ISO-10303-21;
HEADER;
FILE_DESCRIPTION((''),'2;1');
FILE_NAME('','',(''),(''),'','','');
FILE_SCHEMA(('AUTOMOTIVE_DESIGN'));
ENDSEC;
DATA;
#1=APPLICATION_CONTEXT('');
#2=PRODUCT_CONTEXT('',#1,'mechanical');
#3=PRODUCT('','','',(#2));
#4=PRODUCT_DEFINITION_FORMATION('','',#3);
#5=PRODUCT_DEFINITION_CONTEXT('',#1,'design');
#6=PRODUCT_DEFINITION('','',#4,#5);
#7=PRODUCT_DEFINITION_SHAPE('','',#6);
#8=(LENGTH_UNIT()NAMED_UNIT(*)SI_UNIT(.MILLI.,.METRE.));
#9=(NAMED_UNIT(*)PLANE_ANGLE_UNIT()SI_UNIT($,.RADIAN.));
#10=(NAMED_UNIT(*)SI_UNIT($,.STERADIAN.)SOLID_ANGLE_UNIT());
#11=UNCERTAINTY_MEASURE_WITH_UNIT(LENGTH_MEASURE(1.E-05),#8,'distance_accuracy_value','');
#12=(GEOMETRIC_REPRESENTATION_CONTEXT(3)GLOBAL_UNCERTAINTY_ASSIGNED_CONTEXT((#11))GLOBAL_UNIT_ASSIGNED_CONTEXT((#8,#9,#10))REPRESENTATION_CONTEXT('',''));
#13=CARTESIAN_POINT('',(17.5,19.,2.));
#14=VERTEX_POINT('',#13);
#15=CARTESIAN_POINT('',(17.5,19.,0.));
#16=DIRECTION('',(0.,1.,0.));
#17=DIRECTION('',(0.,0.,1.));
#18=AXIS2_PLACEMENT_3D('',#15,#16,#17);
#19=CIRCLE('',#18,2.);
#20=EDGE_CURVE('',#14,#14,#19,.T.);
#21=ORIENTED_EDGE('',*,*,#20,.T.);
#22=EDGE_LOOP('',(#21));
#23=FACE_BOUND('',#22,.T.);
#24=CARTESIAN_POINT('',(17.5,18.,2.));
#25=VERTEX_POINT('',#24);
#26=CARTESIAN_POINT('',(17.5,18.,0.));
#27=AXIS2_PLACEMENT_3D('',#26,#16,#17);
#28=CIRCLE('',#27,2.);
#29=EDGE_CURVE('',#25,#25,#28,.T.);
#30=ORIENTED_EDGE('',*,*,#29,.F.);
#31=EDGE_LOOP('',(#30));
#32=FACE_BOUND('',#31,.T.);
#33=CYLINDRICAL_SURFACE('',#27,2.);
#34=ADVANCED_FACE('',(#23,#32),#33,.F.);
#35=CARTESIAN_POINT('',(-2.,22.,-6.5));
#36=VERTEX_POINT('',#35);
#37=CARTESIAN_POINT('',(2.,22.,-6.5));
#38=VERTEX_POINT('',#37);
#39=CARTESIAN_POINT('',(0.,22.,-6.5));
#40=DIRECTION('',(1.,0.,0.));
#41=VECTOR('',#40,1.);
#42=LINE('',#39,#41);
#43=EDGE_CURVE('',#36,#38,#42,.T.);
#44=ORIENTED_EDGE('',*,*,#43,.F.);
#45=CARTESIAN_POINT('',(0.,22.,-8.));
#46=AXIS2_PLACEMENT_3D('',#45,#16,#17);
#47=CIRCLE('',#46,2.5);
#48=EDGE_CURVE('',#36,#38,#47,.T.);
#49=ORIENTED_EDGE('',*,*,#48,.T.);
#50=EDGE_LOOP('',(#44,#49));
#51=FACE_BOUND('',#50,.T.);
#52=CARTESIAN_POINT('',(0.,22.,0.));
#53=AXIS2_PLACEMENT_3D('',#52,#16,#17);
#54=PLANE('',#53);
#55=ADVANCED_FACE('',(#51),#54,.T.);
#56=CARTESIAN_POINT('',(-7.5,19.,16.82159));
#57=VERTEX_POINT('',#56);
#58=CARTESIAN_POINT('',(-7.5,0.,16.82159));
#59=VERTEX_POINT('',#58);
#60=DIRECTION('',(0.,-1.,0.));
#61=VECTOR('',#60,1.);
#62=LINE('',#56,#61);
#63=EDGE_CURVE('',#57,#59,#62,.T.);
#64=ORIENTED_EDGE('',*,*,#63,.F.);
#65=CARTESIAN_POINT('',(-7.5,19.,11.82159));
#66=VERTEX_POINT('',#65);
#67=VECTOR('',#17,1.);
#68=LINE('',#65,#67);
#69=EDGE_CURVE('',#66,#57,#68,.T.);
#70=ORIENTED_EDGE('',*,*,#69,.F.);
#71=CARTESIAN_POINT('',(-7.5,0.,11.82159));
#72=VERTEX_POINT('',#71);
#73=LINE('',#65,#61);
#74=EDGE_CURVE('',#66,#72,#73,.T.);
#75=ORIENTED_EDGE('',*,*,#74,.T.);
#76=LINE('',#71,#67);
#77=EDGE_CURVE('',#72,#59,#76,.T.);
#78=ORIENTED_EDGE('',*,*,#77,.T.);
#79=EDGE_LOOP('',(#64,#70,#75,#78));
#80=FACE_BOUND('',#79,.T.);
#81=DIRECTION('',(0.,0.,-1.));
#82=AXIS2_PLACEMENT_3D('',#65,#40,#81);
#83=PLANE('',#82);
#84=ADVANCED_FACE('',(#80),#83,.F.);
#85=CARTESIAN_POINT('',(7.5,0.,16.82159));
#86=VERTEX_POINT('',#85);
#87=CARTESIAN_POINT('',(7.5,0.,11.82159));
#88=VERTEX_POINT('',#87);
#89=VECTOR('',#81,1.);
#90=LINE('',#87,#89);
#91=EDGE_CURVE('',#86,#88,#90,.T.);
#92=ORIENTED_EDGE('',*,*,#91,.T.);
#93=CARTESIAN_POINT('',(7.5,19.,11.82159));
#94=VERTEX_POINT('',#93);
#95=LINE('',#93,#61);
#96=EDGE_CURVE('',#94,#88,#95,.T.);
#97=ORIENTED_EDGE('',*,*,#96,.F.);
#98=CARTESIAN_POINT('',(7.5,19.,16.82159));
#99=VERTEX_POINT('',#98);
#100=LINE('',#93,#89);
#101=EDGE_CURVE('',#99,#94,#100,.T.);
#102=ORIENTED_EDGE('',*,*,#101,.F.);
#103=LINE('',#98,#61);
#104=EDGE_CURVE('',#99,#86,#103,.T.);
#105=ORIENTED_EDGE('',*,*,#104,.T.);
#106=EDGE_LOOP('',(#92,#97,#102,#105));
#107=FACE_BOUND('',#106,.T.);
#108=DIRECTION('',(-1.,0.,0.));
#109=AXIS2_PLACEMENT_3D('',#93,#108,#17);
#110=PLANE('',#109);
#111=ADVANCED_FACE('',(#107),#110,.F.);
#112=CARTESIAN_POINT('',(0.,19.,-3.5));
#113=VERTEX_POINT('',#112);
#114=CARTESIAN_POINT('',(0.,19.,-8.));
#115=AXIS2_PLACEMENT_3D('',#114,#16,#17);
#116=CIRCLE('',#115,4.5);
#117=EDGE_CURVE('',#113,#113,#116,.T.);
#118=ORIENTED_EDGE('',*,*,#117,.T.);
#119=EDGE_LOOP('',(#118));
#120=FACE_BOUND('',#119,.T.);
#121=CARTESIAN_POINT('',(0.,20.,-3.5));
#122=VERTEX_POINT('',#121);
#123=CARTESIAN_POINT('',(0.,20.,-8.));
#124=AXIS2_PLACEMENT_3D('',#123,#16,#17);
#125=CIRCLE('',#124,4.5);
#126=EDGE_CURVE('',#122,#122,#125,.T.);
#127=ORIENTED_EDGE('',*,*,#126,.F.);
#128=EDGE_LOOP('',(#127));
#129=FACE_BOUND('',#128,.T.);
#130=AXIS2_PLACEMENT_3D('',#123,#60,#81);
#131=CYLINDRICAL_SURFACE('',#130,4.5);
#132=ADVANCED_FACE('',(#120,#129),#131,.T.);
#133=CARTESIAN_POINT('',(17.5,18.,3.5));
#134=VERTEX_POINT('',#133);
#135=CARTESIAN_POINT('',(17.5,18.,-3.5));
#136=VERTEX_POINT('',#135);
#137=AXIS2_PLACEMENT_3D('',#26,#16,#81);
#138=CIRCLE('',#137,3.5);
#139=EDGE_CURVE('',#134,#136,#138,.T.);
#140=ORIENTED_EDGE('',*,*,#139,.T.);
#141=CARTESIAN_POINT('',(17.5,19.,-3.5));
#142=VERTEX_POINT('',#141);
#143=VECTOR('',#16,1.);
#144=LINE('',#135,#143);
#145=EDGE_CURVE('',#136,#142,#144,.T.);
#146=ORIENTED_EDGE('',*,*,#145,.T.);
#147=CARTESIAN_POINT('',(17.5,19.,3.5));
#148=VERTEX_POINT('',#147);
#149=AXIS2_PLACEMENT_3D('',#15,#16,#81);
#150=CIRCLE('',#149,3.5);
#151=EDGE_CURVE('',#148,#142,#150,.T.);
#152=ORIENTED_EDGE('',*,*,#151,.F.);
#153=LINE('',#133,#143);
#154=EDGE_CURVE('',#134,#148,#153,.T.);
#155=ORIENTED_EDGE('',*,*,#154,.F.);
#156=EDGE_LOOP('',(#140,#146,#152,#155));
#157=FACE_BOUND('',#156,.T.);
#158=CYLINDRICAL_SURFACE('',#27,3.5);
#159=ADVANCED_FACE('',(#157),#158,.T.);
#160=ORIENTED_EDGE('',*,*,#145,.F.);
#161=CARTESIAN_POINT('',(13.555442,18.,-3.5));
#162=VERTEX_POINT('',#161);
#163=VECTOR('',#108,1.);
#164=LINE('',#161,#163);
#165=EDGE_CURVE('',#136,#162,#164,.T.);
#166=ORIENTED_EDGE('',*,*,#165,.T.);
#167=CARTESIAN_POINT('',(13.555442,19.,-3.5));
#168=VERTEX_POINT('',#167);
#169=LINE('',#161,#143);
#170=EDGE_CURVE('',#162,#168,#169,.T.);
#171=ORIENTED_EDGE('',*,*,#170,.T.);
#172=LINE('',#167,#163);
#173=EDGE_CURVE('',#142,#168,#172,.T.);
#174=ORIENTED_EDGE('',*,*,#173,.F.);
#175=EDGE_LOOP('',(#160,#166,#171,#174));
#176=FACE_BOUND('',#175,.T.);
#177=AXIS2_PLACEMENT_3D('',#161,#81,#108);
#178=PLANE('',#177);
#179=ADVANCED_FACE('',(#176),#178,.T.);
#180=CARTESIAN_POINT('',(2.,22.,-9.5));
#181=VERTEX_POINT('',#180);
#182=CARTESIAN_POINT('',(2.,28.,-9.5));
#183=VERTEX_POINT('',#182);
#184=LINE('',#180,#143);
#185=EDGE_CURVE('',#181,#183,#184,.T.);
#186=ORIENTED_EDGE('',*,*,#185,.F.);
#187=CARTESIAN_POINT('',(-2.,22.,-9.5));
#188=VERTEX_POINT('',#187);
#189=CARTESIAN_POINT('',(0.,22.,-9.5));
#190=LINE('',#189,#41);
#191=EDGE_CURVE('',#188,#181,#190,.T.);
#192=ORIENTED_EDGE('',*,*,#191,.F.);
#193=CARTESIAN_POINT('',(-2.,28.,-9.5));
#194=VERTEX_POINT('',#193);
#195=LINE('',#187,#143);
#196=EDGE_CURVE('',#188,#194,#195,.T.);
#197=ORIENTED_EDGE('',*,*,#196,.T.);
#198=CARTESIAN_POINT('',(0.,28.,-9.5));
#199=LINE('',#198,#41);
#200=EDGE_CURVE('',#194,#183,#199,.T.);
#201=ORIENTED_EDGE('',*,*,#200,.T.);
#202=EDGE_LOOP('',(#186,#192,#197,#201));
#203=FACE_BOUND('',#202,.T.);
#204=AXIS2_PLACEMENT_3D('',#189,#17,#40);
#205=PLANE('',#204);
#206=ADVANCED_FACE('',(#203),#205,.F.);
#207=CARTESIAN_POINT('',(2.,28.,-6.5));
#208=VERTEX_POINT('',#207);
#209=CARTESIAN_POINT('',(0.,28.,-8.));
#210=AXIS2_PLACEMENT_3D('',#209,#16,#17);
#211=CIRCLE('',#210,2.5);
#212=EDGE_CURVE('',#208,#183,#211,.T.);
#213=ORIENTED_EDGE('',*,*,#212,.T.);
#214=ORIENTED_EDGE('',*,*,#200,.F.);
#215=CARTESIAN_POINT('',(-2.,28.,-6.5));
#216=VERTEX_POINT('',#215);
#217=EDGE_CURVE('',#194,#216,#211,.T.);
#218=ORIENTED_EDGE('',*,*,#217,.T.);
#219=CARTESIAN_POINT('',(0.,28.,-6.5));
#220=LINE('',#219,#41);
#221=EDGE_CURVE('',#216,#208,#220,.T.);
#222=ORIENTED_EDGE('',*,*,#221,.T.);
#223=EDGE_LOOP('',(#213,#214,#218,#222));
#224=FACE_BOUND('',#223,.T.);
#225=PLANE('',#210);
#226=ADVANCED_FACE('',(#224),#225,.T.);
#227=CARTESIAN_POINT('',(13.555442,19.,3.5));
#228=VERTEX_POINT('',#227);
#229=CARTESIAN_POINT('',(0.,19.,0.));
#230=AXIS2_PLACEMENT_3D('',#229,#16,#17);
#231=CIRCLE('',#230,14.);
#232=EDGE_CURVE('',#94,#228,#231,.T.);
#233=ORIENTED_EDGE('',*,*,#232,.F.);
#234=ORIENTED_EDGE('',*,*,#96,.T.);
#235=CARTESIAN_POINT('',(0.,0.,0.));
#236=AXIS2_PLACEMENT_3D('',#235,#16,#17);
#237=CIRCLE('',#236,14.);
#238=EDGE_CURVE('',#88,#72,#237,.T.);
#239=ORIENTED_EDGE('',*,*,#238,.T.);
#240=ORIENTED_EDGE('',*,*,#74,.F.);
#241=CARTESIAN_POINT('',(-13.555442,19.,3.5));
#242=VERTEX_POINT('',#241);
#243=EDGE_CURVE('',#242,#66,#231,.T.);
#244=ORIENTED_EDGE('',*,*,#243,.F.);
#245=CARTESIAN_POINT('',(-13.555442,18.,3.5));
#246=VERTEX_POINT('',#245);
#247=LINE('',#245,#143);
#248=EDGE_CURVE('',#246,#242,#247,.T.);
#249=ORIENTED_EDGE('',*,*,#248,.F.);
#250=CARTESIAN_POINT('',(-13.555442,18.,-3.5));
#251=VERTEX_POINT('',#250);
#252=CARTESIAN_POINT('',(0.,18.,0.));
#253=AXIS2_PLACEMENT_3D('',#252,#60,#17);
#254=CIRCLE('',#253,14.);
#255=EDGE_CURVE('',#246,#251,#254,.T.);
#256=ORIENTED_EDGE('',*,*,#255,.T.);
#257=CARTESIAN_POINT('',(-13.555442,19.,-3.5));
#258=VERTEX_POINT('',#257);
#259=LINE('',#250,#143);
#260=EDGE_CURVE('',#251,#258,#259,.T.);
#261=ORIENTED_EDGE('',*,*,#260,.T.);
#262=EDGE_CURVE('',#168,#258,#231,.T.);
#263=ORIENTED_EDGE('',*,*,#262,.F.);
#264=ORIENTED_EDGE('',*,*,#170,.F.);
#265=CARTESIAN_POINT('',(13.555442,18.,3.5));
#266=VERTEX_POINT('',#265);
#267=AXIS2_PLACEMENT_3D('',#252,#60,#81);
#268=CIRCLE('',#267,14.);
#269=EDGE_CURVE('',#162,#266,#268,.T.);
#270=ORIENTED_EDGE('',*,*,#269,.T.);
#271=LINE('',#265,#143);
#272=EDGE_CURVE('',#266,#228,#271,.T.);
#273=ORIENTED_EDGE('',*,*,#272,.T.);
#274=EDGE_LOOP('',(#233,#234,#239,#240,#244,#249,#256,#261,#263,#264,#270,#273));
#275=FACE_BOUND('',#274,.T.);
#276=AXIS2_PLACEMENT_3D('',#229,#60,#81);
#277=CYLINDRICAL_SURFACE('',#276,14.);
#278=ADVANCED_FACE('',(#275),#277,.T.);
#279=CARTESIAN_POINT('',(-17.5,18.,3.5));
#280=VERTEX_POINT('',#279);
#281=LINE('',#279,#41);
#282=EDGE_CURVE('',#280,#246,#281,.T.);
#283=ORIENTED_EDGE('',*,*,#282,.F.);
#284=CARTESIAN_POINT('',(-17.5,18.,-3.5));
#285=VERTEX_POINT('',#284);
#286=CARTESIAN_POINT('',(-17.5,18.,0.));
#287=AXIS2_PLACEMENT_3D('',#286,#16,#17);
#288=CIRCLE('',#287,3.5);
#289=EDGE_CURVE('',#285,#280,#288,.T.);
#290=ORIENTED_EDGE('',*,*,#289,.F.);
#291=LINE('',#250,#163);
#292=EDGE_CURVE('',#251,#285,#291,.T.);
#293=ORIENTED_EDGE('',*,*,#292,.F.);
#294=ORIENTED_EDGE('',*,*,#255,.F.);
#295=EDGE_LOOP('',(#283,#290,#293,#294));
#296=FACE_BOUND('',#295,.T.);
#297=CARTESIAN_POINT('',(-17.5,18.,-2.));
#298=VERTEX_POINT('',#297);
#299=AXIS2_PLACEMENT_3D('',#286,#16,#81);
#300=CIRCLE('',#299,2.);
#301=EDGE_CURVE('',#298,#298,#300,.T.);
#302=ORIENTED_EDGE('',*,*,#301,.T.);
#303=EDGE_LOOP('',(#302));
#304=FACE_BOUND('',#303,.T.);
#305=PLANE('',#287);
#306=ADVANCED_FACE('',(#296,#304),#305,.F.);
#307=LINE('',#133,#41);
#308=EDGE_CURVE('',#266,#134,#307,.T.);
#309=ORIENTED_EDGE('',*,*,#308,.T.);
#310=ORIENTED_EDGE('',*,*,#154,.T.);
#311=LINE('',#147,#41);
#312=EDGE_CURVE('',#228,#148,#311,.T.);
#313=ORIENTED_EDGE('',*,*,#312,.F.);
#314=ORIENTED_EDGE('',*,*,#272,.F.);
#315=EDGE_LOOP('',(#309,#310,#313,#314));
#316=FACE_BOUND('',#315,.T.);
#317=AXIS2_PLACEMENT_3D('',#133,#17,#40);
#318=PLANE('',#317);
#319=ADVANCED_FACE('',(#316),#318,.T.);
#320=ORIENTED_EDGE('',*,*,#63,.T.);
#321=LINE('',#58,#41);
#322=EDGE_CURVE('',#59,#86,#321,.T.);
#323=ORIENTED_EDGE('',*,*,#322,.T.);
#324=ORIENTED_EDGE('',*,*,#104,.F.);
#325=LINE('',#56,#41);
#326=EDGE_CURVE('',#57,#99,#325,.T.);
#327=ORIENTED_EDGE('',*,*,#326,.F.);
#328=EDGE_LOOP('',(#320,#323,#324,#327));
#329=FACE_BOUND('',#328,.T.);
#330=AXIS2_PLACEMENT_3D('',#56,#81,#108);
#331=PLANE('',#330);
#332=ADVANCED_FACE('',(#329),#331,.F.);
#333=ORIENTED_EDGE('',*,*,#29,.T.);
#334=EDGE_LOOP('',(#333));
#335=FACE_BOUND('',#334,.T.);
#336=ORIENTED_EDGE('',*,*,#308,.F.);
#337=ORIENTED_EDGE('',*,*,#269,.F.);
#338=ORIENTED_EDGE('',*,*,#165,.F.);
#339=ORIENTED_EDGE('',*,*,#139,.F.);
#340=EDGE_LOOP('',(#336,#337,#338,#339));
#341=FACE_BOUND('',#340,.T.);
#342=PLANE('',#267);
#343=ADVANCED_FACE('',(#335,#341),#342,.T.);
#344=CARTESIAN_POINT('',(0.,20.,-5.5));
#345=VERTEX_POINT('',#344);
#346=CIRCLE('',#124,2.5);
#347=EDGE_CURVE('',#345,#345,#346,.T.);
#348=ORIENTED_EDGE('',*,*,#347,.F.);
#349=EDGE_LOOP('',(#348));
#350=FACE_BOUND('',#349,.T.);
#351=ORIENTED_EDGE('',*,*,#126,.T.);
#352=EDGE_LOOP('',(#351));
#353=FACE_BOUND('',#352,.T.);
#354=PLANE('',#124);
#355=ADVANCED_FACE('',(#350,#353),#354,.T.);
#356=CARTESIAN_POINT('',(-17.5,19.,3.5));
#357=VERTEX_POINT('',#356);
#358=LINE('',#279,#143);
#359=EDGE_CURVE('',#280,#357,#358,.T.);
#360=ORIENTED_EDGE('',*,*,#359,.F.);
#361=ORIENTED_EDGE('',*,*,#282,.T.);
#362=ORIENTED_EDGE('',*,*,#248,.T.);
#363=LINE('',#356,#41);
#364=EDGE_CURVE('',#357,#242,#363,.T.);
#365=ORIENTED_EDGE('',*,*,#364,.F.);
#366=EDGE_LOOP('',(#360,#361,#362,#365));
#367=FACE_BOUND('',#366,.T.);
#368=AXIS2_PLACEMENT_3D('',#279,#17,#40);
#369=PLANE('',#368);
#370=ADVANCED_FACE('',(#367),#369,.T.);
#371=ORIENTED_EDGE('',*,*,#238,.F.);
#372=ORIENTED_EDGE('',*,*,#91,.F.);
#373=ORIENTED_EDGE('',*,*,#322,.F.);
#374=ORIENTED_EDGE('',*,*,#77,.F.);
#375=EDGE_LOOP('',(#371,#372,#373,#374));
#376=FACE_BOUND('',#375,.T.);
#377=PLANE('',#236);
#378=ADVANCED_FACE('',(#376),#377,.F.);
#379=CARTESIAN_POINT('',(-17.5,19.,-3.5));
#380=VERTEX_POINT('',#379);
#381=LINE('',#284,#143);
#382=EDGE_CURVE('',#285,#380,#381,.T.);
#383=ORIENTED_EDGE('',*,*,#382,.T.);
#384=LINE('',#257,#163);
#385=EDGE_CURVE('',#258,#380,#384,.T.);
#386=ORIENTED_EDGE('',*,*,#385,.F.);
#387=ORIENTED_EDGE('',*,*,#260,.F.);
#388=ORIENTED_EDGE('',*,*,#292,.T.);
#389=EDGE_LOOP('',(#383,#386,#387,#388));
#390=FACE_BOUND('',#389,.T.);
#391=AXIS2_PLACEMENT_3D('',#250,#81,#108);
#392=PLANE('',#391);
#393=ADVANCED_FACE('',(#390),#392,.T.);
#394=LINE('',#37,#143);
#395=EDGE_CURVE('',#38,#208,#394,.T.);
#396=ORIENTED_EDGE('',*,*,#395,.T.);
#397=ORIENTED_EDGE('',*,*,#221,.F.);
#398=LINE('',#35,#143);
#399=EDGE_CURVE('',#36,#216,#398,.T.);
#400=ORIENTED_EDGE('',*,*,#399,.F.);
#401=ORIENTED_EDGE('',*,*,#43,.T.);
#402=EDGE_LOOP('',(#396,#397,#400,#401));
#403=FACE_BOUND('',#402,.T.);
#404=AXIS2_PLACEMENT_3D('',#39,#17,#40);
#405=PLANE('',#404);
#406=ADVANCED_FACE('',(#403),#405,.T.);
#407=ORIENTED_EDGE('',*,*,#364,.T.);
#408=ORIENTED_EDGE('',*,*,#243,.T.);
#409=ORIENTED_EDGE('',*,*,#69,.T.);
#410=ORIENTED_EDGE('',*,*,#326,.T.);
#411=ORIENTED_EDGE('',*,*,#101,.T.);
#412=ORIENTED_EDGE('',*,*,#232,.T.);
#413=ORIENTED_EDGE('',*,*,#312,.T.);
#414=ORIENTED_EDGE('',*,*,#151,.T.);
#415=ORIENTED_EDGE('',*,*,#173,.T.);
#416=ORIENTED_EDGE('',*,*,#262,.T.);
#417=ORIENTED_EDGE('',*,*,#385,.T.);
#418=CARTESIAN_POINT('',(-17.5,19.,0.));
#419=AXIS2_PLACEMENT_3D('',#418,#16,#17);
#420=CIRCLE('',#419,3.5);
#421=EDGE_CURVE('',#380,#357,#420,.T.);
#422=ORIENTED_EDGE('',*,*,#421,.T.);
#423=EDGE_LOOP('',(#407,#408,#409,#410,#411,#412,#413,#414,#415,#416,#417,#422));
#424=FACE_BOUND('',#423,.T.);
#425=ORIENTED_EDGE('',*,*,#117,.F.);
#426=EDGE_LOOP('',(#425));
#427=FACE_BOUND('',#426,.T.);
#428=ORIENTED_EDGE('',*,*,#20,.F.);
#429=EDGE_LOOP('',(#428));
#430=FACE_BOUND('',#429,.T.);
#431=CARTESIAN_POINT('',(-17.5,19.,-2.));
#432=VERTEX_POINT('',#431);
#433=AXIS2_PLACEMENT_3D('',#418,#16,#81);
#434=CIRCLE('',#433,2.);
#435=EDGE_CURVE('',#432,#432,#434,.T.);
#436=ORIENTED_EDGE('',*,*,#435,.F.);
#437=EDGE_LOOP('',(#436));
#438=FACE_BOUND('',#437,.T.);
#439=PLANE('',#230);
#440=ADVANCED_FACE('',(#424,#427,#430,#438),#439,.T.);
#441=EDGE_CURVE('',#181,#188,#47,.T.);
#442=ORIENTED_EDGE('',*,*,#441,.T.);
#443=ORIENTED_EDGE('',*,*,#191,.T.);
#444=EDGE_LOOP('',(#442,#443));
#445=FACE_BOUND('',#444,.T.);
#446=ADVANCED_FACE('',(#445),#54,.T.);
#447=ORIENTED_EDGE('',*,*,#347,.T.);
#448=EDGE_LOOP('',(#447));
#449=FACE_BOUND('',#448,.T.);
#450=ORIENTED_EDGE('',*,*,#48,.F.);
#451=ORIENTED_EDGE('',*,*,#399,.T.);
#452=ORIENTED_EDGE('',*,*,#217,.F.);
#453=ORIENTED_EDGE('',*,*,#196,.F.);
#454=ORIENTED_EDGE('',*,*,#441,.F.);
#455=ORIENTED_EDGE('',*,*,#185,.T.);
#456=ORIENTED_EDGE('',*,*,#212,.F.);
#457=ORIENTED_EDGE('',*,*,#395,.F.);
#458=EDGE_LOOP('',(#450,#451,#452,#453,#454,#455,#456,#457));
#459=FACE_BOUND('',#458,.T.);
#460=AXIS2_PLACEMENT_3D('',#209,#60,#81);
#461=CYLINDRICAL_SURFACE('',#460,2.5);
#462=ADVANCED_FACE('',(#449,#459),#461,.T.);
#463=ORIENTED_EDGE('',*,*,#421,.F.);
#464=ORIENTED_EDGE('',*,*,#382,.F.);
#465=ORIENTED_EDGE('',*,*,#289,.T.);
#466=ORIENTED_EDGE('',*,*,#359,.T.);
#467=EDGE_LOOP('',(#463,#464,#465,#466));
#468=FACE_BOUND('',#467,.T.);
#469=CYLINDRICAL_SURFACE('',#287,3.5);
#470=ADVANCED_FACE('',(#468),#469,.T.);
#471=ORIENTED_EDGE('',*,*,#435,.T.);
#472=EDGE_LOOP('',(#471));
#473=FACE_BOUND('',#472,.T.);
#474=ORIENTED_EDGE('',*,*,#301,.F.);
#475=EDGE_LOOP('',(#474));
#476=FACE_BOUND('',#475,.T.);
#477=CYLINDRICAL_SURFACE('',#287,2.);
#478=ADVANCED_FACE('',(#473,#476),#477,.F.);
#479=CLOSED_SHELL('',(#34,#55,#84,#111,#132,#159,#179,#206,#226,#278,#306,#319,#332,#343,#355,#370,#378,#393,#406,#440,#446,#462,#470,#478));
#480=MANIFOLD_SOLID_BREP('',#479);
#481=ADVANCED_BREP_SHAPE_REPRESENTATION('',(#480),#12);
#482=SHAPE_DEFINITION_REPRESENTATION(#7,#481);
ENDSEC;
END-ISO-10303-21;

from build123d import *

# Parameters (mm, degrees)
BOSS_EXTRU_1_DEPTH      = 19
ESQUISSE2_R             = 2
BOSS_EXTRU_2_DEPTH      = 1
ESQUISSE3_R             = 4.5
BOSS_EXTRU_3_DEPTH      = 1
ESQUISSE4_R             = 2.5
BOSS_EXTRU_4_DEPTH      = 8
ENL_V_MAT_EXTRU_1_DEPTH = 6


with BuildPart() as part:
    # Esquisse1 → Boss.-Extru.1 (new body)
    with BuildSketch(Plane(origin=(0, 0, 0), x_dir=(1, 0, 0), z_dir=(0, 1, 0))):
        with BuildLine():
            Line((-7.5, -11.821590418), (-7.5, -16.821590418))
            Line((-7.5, -16.821590418), (7.5, -16.821590418))
            Line((7.5, -16.821590418), (7.5, -11.821590418))
            ThreePointArc((7.5, -11.821590418), (0, 14), (-7.5, -11.821590418))
        make_face()
    extrude(amount=BOSS_EXTRU_1_DEPTH)

    # Esquisse2 → Boss.-Extru.2 (add)
    with BuildSketch(Plane(origin=(0, 19, 0), x_dir=(1, 0, 0), z_dir=(0, 1, 0))):
        with BuildLine():
            Line((13.555441712, 3.5), (17.5, 3.5))
            ThreePointArc((17.5, 3.5), (21, 0), (17.5, -3.5))
            Line((17.5, -3.5), (13.555441712, -3.5))
            ThreePointArc((13.555441712, -3.5), (14, 0), (13.555441712, 3.5))
        make_face()
        with Locations((17.5, 0)):
            Circle(ESQUISSE2_R, mode=Mode.SUBTRACT)
        with BuildLine():
            Line((-17.5, -3.5), (-13.555441712, -3.5))
            ThreePointArc((-13.555441712, -3.5), (-14, 0), (-13.555441712, 3.5))
            Line((-13.555441712, 3.5), (-17.5, 3.5))
            ThreePointArc((-17.5, 3.5), (-21, 0), (-17.5, -3.5))
        make_face()
        with Locations((-17.5, 0)):
            Circle(ESQUISSE2_R, mode=Mode.SUBTRACT)
    extrude(amount=-BOSS_EXTRU_2_DEPTH)

    # Esquisse3 → Boss.-Extru.3 (add)
    with BuildSketch(Plane(origin=(0, 19, 0), x_dir=(1, 0, 0), z_dir=(0, 1, 0))):
        with Locations((0, 8)):
            Circle(ESQUISSE3_R)
    extrude(amount=BOSS_EXTRU_3_DEPTH)

    # Esquisse4 → Boss.-Extru.4 (add)
    with BuildSketch(Plane(origin=(0, 20, 0), x_dir=(1, 0, 0), z_dir=(0, 1, 0))):
        with Locations((0, 8)):
            Circle(ESQUISSE4_R)
    extrude(amount=BOSS_EXTRU_4_DEPTH)

    # Esquisse5 → Enlèv. mat.-Extru.1 (cut)
    with BuildSketch(Plane(origin=(0, 28, 0), x_dir=(1, 0, 0), z_dir=(0, 1, 0))):
        with BuildLine():
            Line((2, 6.5), (-2, 6.5))
            ThreePointArc((-2, 6.5), (0, 5.5), (2, 6.5))
        make_face()
        with BuildLine():
            ThreePointArc((2, 9.5), (0, 10.5), (-2, 9.5))
            Line((-2, 9.5), (2, 9.5))
        make_face()
    extrude(amount=-ENL_V_MAT_EXTRU_1_DEPTH, mode=Mode.SUBTRACT)


solid = part.part
